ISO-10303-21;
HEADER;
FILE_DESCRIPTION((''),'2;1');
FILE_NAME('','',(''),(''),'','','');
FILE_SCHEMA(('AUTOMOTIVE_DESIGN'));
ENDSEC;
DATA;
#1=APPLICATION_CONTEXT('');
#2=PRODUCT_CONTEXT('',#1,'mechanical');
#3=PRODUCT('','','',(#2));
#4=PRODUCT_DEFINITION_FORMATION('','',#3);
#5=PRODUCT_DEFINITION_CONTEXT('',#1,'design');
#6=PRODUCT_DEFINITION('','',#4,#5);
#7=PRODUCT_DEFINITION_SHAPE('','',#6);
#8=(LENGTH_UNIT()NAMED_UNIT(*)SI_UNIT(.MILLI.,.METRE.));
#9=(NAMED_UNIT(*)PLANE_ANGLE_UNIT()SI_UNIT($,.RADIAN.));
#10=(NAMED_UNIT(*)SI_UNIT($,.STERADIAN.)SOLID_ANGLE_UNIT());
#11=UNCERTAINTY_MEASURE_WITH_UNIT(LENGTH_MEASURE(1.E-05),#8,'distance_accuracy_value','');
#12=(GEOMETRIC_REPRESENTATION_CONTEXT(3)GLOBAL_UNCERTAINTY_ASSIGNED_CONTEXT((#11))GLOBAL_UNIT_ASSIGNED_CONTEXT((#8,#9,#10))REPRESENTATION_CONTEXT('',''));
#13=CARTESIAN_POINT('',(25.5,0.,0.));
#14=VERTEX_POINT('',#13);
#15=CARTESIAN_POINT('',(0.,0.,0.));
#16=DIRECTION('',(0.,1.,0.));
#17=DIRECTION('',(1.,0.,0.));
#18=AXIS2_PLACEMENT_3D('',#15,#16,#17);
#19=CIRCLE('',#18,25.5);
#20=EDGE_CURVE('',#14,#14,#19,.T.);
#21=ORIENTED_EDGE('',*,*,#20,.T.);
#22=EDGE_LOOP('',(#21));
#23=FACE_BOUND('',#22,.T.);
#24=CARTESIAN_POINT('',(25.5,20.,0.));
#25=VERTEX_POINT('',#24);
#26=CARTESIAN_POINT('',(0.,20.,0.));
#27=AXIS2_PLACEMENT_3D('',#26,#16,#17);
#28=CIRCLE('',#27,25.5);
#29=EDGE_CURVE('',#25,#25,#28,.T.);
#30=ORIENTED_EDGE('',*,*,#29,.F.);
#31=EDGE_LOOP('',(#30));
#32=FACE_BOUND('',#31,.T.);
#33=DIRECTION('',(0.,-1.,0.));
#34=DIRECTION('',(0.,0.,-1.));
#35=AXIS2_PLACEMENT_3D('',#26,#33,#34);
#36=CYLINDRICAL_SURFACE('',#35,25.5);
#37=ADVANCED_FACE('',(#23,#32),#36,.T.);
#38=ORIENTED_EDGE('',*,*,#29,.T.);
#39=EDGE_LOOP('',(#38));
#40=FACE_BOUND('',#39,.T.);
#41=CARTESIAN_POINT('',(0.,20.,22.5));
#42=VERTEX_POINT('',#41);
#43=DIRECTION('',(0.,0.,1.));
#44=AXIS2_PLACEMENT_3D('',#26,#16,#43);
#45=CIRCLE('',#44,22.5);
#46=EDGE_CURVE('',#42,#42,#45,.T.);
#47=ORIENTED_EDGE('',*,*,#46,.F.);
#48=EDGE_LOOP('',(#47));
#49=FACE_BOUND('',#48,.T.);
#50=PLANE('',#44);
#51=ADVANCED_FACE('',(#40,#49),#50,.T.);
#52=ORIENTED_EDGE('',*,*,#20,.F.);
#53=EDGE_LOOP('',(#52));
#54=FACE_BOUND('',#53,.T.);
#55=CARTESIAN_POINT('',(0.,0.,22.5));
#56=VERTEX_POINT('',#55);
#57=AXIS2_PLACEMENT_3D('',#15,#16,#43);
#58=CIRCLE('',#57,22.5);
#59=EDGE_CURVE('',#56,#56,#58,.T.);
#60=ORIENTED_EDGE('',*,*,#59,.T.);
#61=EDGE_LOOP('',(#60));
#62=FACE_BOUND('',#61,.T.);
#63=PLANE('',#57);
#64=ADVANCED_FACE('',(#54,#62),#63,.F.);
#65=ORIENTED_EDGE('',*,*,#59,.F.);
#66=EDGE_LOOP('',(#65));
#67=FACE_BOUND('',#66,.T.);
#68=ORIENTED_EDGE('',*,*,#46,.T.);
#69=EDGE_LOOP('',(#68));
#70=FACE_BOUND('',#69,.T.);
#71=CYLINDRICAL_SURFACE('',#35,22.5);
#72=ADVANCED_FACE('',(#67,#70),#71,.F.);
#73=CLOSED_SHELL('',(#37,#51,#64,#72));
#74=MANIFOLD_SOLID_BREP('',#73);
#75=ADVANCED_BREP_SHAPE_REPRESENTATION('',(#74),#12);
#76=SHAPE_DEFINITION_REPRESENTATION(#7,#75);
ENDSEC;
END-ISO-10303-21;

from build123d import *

# Parameters (mm, degrees)
SKETCH_1_R      = 25.5
SKETCH_1_R_2    = 22.5
EXTRUDE_1_DEPTH = 20


with BuildPart() as part:
    # 草图1 → 拉伸-薄壁1 (new body)
    with BuildSketch(Plane(origin=(0, 0, 0), x_dir=(1, 0, 0), z_dir=(0, 1, 0))):
        Circle(SKETCH_1_R)
        Circle(SKETCH_1_R_2, mode=Mode.SUBTRACT)
    extrude(amount=EXTRUDE_1_DEPTH)


solid = part.part
